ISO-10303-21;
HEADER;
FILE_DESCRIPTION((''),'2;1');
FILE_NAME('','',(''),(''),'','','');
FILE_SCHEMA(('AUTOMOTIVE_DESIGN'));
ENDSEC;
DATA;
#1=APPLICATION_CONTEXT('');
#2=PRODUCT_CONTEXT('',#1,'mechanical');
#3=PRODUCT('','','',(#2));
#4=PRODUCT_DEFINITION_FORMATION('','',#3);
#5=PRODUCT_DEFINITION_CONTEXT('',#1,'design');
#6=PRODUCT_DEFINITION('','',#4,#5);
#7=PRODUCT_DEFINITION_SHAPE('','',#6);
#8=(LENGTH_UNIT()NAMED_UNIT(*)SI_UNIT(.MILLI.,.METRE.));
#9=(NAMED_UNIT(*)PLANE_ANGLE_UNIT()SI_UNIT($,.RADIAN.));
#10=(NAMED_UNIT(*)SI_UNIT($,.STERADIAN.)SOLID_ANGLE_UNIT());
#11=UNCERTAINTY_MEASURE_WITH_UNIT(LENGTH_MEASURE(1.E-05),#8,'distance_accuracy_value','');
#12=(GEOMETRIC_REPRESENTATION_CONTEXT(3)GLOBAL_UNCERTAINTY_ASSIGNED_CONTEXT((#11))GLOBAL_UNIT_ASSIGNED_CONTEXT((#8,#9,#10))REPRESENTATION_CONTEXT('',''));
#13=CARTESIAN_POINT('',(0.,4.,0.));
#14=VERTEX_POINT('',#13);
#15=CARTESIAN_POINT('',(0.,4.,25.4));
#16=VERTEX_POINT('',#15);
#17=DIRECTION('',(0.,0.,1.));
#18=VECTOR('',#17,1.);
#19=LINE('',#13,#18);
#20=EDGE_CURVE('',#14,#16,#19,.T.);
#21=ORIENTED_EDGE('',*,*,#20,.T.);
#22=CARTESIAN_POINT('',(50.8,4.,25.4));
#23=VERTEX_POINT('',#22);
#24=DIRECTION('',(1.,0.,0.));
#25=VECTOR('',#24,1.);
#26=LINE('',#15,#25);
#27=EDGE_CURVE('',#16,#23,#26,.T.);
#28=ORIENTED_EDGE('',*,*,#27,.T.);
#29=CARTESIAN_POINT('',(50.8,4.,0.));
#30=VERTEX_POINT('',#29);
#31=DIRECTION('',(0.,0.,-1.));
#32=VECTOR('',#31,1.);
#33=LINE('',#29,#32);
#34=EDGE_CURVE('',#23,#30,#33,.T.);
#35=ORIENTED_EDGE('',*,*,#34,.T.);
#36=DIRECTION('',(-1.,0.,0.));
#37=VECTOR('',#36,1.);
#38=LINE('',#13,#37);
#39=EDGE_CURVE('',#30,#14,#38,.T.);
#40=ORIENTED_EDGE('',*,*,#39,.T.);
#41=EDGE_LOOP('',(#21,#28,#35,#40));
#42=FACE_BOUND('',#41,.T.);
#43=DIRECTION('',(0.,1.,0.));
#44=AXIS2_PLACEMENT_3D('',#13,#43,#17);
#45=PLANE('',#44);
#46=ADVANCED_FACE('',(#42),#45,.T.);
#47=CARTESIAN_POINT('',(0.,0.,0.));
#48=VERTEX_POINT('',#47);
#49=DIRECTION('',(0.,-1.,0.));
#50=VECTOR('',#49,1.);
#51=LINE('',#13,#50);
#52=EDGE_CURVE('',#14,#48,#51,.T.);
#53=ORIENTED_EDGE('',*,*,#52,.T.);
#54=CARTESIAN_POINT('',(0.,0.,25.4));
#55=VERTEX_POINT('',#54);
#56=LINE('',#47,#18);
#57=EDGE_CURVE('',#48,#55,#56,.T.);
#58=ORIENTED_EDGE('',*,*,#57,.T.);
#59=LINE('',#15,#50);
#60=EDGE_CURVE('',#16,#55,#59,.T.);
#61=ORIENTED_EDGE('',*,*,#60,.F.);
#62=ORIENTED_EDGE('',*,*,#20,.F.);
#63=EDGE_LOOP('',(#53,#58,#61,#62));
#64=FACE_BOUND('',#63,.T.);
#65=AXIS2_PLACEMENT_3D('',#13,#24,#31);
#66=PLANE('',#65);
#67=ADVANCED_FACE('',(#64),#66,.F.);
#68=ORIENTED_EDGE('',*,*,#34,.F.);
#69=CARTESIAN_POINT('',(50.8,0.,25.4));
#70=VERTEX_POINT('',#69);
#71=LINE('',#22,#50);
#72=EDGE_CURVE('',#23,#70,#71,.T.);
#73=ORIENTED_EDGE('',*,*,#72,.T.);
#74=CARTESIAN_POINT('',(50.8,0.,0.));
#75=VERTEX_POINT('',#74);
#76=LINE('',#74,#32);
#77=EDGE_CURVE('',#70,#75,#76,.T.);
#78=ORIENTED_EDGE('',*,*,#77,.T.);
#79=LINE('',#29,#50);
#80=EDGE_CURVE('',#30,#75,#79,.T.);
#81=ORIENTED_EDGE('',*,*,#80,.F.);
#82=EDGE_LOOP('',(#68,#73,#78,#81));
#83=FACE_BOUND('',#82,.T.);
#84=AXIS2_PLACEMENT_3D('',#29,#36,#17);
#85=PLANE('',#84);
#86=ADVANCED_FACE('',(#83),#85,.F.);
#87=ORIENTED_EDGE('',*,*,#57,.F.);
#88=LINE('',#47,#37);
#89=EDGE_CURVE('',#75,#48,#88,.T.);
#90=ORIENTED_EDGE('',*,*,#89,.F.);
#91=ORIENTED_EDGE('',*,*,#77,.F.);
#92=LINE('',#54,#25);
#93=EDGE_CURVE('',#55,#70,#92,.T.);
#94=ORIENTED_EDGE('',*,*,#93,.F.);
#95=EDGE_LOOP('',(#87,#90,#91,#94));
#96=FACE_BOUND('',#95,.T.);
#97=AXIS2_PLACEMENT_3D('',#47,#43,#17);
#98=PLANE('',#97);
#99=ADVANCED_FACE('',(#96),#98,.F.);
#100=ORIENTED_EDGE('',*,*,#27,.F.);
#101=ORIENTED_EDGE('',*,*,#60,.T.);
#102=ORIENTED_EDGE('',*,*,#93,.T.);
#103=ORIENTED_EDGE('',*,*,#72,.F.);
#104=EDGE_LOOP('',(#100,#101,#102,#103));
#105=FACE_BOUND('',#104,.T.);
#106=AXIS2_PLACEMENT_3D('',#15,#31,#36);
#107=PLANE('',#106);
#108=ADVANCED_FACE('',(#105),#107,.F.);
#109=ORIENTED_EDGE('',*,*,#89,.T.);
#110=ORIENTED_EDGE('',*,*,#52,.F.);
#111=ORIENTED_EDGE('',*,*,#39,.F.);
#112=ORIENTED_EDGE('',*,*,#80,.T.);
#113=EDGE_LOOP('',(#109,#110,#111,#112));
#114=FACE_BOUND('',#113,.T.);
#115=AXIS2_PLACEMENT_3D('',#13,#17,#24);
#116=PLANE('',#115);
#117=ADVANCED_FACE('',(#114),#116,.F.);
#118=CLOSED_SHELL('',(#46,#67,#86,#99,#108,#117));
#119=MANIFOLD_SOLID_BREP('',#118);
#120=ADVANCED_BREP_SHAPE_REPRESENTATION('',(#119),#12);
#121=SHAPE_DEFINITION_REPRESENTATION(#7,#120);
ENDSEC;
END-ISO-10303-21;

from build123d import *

# Parameters (mm, degrees)
SKETCH_1_W      = 50.8
SKETCH_1_H      = 25.4
EXTRUDE_1_DEPTH = 4


with BuildPart() as part:
    # 草图1 → 凸台-拉伸1 (new body)
    with BuildSketch(Plane(origin=(0, 0, 0), x_dir=(1, 0, 0), z_dir=(0, 1, 0))):
        with Locations((25.4, -12.7)):
            Rectangle(SKETCH_1_W, SKETCH_1_H)
    extrude(amount=EXTRUDE_1_DEPTH)


solid = part.part
